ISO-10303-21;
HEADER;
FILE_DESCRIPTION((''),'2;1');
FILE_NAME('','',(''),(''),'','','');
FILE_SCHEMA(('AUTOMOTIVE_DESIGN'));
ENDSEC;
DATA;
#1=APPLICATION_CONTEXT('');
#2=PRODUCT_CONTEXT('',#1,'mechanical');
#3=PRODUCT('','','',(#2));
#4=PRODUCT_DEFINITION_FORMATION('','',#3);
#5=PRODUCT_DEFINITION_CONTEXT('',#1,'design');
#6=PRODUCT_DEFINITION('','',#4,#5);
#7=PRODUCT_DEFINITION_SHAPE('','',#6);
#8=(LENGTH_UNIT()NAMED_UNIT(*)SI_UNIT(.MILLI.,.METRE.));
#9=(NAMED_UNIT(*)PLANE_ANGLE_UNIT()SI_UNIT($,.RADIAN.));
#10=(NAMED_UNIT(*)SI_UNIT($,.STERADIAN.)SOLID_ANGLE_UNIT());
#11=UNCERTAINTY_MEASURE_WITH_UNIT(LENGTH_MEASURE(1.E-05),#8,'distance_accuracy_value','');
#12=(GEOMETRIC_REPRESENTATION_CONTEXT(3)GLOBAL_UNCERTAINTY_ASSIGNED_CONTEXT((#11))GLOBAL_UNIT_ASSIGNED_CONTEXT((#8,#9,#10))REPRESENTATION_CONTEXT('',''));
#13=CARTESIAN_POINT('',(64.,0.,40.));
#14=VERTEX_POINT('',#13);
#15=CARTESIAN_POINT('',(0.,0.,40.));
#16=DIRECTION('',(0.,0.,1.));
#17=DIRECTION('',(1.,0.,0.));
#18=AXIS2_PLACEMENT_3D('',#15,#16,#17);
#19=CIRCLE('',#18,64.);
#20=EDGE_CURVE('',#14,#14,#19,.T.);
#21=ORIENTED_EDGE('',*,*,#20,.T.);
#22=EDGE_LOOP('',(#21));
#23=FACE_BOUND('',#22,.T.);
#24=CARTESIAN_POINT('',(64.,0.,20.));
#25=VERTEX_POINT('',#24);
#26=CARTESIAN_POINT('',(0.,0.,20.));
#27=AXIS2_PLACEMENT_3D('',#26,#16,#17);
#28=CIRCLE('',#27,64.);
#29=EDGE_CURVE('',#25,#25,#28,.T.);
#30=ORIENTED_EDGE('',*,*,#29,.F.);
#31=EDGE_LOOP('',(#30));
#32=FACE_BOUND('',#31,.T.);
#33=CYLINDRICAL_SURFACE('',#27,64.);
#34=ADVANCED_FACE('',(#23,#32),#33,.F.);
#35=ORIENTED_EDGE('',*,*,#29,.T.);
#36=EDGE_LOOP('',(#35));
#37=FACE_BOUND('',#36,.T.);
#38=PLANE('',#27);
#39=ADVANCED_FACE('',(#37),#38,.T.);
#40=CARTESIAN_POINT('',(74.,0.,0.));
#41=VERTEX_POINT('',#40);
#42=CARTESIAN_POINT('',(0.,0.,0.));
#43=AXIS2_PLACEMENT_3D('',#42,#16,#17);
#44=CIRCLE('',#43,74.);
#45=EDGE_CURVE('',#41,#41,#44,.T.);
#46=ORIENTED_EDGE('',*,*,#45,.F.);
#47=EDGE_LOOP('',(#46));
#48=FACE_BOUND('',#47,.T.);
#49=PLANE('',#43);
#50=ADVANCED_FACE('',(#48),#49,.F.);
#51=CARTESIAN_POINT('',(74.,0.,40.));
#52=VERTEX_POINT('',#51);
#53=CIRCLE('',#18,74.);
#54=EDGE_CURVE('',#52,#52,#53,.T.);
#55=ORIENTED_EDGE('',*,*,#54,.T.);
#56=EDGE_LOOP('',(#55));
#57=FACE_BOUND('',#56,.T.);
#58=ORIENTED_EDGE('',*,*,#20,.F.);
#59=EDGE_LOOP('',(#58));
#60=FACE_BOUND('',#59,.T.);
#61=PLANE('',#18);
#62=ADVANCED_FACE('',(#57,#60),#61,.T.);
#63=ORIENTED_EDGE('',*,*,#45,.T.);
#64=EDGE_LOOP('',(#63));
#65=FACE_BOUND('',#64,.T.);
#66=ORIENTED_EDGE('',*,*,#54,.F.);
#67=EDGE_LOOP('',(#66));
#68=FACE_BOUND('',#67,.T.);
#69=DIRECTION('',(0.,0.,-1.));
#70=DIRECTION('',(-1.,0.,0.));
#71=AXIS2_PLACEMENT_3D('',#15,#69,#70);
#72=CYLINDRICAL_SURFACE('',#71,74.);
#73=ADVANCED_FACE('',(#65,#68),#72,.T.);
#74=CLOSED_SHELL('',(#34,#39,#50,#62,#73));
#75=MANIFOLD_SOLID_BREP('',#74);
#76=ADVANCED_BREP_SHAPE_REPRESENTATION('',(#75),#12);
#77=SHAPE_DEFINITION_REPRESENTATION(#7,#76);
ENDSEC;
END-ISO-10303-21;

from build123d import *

# Parameters (mm, degrees)
SKETCH1_R           = 74
BOSS_EXTRUDE1_DEPTH = 40
SKETCH2_R           = 64
CUT_EXTRUDE1_DEPTH  = 20


with BuildPart() as part:
    # Sketch1 → Boss-Extrude1 (new body)
    with BuildSketch(Plane.XY):
        Circle(SKETCH1_R)
    extrude(amount=BOSS_EXTRUDE1_DEPTH)

    # Sketch2 → Cut-Extrude1 (cut)
    with BuildSketch(Plane.XY.offset(40)):
        Circle(SKETCH2_R)
    extrude(amount=-CUT_EXTRUDE1_DEPTH, mode=Mode.SUBTRACT)


solid = part.part
